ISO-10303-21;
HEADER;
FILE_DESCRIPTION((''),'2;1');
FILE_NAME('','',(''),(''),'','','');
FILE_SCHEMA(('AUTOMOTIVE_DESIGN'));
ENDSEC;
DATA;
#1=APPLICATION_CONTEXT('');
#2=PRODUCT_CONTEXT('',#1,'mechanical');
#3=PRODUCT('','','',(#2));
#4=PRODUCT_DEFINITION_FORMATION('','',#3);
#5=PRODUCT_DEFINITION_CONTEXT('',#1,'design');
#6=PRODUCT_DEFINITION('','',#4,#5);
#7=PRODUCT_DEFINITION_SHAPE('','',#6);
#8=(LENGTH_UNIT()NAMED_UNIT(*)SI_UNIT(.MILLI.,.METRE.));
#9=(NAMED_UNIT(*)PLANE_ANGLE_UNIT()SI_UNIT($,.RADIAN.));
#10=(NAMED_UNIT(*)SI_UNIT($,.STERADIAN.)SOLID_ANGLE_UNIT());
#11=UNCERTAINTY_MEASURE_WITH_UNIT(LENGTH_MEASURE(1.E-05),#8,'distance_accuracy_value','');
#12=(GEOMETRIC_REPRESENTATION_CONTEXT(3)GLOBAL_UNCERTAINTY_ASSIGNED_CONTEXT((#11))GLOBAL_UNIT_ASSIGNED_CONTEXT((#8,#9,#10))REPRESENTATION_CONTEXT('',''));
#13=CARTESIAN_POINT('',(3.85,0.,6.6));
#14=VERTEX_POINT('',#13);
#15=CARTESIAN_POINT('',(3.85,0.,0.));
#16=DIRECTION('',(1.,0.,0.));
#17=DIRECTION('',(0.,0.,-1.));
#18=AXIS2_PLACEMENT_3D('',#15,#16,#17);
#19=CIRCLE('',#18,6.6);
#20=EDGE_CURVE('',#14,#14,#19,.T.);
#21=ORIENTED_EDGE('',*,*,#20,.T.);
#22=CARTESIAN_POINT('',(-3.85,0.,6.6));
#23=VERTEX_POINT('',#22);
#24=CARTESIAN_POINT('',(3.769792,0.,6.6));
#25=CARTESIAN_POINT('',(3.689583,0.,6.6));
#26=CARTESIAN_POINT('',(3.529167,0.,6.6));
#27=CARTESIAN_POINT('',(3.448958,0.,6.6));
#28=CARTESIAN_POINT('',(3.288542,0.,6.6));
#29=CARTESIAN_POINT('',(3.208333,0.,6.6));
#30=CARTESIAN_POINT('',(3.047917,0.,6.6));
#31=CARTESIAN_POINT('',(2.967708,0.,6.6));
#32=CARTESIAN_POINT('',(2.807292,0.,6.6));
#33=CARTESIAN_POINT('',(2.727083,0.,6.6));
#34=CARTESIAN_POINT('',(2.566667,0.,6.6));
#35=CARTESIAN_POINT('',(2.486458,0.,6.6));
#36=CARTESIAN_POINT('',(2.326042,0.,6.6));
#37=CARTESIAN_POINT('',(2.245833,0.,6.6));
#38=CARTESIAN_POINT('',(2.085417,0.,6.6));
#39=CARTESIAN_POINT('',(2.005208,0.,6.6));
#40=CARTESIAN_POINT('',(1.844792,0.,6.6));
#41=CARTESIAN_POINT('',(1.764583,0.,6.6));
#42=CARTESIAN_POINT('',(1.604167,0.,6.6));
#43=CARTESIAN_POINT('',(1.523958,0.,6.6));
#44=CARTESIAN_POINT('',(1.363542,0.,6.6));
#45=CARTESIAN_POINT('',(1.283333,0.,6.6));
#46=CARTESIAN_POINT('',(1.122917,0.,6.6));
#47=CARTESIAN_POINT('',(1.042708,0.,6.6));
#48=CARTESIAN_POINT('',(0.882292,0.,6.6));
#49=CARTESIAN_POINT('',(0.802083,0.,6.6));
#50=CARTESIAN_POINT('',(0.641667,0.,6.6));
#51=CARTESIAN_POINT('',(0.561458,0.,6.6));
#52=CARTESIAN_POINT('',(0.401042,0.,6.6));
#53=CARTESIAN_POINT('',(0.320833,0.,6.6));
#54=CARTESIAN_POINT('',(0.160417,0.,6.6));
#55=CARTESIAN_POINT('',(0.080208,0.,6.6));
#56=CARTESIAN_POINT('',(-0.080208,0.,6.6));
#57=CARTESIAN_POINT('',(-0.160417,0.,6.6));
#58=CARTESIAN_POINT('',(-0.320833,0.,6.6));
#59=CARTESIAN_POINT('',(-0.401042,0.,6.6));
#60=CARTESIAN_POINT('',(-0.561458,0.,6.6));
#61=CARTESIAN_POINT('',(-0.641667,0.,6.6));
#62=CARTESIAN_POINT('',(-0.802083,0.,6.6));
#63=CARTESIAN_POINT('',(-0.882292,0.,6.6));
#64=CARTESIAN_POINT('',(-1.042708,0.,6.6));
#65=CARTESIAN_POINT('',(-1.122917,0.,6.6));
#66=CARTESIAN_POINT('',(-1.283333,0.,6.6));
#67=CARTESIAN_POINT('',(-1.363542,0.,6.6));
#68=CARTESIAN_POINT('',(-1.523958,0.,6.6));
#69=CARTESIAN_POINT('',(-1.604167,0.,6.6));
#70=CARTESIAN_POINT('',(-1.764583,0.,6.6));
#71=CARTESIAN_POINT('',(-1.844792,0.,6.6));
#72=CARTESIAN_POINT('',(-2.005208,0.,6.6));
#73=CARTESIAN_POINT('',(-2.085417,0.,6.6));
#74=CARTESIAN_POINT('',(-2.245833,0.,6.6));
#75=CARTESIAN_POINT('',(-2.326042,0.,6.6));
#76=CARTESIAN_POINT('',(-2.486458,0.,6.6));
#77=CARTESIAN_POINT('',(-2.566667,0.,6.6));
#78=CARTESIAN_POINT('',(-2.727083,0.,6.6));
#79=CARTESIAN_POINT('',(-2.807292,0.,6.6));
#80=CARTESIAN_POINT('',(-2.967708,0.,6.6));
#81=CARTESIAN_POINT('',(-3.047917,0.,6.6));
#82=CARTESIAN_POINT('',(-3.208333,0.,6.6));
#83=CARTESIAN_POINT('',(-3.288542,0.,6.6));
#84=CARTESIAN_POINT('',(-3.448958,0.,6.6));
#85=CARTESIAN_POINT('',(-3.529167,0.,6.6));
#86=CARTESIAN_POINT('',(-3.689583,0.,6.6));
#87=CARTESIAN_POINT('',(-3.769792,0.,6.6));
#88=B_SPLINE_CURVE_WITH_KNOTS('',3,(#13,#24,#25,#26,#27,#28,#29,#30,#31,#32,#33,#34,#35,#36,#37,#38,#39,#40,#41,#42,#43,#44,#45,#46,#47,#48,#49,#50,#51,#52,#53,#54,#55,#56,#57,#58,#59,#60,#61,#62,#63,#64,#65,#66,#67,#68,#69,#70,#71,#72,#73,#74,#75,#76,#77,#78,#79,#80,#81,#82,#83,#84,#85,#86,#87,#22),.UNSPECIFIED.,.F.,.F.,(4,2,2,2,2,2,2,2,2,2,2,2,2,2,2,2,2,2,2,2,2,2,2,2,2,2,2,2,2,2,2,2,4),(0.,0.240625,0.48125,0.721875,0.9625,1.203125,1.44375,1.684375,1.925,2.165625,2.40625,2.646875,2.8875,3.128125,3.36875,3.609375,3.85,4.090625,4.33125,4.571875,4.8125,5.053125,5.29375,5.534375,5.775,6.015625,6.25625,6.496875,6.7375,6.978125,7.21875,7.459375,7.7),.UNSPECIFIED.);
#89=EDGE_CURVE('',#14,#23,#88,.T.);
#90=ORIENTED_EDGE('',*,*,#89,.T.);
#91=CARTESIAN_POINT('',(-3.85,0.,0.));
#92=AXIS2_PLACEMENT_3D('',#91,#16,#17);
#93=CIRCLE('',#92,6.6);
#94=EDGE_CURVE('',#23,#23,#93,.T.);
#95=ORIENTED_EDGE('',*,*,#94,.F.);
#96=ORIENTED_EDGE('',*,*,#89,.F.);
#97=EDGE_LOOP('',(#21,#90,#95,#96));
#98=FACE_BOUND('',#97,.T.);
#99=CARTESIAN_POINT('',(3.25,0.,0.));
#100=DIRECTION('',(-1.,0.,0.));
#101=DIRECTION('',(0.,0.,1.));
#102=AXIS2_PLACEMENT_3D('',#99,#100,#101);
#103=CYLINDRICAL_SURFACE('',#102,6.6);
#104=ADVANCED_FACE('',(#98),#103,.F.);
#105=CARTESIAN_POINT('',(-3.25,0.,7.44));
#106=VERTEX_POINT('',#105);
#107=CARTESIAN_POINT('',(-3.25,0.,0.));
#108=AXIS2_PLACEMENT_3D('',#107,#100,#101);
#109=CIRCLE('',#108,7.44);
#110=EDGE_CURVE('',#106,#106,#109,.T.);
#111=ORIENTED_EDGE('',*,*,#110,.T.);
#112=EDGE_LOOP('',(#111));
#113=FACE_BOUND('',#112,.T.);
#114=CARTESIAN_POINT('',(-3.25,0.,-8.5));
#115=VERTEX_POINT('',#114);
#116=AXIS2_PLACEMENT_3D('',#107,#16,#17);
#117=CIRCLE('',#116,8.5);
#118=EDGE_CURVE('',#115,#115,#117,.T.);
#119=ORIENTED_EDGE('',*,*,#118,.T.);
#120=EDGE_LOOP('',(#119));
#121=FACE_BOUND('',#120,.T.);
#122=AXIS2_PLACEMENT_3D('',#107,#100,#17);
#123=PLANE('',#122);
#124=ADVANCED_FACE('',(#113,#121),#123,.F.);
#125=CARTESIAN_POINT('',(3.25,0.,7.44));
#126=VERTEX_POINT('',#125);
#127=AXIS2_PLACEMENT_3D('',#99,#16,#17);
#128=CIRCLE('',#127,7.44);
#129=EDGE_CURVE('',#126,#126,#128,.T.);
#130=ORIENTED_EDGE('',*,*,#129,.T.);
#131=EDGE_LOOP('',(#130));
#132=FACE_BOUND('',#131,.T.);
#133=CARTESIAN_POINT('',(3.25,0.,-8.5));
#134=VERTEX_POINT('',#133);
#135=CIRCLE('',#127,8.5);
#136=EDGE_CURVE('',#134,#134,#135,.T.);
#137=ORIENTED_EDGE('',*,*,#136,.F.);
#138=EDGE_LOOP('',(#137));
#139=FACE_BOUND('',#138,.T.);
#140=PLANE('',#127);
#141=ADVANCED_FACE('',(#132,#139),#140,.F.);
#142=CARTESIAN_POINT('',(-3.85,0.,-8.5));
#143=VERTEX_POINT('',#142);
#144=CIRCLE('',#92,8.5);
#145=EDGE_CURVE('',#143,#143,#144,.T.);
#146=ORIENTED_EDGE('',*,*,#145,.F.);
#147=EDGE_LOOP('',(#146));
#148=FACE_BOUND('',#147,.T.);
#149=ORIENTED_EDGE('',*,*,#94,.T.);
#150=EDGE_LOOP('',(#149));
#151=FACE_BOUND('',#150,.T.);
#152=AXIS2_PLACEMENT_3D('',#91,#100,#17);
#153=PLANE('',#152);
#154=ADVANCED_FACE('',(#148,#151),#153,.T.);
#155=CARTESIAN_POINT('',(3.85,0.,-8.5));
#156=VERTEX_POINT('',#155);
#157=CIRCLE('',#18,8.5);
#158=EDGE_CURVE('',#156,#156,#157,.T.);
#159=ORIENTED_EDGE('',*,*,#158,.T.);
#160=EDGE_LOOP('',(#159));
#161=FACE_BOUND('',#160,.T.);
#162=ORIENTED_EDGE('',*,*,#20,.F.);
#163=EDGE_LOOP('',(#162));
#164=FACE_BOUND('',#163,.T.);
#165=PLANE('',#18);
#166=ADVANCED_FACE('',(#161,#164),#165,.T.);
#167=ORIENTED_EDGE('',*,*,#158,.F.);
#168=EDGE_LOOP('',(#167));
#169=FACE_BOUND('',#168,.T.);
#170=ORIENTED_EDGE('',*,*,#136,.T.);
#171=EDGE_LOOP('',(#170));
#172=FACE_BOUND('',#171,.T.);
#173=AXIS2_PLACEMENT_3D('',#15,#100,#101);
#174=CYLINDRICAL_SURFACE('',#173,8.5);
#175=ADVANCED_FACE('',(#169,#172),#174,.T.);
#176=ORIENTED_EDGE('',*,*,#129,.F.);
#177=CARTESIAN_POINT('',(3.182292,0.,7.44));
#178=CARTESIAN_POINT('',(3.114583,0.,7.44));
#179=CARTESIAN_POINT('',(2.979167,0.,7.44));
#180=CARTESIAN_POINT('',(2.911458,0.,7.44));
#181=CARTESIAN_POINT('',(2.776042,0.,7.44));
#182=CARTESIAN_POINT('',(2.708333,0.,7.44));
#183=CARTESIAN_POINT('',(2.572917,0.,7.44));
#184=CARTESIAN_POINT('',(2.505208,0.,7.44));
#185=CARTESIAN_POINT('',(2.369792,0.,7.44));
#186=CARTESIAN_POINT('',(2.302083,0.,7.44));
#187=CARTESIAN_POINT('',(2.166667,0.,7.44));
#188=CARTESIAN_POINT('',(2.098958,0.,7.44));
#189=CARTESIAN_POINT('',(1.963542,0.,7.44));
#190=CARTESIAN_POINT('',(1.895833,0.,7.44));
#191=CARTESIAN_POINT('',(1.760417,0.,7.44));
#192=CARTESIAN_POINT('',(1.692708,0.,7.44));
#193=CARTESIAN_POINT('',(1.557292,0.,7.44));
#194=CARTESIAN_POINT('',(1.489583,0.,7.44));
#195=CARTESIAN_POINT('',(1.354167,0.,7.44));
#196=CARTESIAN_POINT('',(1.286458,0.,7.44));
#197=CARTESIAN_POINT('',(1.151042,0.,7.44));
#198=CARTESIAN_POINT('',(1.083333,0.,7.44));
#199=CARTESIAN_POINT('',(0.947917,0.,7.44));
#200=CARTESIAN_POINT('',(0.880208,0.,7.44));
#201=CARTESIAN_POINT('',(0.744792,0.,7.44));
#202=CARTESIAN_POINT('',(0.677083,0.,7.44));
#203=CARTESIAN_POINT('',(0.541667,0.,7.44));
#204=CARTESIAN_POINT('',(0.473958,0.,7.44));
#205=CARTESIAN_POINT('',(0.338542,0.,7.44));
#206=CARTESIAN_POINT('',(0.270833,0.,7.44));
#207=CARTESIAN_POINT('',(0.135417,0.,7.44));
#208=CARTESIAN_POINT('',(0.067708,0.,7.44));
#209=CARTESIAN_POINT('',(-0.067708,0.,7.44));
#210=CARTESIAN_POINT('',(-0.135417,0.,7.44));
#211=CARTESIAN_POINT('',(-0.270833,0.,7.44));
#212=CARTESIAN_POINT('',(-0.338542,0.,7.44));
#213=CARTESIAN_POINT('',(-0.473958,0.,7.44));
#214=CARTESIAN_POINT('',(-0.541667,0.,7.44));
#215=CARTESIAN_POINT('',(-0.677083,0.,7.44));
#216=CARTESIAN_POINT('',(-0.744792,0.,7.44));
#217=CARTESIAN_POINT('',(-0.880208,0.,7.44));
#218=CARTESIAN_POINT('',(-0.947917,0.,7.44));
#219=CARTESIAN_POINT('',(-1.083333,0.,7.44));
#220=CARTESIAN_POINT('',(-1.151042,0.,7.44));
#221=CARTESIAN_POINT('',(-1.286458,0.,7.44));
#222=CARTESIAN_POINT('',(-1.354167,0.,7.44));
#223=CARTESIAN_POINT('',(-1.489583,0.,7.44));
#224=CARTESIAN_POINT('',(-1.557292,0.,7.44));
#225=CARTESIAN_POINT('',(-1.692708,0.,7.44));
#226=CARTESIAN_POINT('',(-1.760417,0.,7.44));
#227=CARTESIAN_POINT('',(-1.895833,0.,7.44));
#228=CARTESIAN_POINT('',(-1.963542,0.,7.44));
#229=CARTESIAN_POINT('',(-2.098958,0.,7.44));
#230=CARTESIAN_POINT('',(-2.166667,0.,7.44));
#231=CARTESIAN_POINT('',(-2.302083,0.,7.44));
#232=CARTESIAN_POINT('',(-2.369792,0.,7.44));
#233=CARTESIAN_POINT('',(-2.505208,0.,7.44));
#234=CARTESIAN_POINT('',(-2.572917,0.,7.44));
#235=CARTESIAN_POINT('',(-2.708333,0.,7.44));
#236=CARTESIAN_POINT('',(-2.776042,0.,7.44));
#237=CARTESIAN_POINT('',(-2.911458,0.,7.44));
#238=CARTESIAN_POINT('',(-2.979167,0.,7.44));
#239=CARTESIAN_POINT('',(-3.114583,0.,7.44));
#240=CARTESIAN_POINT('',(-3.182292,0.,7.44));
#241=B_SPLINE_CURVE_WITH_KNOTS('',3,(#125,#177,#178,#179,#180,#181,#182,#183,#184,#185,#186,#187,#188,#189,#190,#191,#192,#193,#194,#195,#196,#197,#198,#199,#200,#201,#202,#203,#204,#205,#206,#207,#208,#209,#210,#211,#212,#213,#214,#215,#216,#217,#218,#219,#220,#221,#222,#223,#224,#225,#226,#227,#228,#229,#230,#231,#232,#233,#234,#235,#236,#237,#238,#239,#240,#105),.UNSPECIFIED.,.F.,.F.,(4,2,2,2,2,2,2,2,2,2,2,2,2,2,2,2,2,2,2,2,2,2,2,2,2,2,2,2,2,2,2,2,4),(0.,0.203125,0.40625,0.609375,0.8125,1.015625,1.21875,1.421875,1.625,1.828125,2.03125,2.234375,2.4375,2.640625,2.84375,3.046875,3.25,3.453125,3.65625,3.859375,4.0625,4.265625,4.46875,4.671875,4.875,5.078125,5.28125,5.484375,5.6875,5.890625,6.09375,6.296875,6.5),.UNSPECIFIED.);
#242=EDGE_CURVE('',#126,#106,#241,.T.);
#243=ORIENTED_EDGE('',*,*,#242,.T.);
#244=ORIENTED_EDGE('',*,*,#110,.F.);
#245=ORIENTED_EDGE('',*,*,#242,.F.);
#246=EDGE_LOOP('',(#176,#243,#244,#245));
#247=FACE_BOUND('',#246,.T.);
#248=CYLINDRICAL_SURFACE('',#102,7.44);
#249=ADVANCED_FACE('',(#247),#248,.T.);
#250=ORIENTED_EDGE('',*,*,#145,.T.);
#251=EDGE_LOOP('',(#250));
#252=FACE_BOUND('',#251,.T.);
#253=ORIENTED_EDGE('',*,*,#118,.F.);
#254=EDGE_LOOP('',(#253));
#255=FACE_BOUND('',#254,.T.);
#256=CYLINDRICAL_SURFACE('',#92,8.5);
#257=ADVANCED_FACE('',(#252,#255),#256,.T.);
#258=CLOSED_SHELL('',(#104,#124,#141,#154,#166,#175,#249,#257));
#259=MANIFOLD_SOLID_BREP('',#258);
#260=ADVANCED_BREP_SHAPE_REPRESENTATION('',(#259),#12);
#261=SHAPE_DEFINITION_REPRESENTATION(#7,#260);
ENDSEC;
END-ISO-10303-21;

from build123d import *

# Parameters (mm, degrees)
ESBO_O1_R                = 7.44
ESBO_O1_R_2              = 6.6
RESSALTO_EXTRUS_O1_DEPTH = 3.25
ESBO_O2_R                = 8.5
RESSALTO_EXTRUS_O2_DEPTH = 0.6
ESBO_O3_R                = 6.6
CORTE_EXTRUS_O1_DEPTH    = 15.275503494


with BuildPart() as part:
    # Esboço1 → Ressalto-extrusão1 (new, symmetric)
    with BuildSketch(Plane(origin=(0, 0, 0), x_dir=(0, 0, -1), z_dir=(1, 0, 0))):
        with Locations(Location((0, 0, 0), (0, 0, 180))):
            Circle(ESBO_O1_R)
        with Locations(Location((0, 0, 0), (0, 0, 180))):
            Circle(ESBO_O1_R_2, mode=Mode.SUBTRACT)
    extrude(amount=RESSALTO_EXTRUS_O1_DEPTH, both=True)

    # Esboço2 → Ressalto-extrusão2 (add)
    with BuildSketch(Plane(origin=(3.25, 0, 0), x_dir=(0, 0, -1), z_dir=(1, 0, 0))):
        Circle(ESBO_O2_R)
    ressalto_extrus_o2 = extrude(amount=RESSALTO_EXTRUS_O2_DEPTH)

    # Espelhar1: Ressalto-extrusão2 across plane
    add(ressalto_extrus_o2.mirror(Plane(origin=(0, 0, 0), x_dir=(0, 0, 1), z_dir=(1, 0, 0))))

    # Esboço3 → Corte-extrusão1 (cut, through all)
    with BuildSketch(Plane(origin=(3.85, 0, 0), x_dir=(0, 0, -1), z_dir=(1, 0, 0))):
        with Locations(Location((0, 0, 0), (0, 0, 180))):
            Circle(ESBO_O3_R)
    extrude(amount=-CORTE_EXTRUS_O1_DEPTH, mode=Mode.SUBTRACT)


solid = part.part
